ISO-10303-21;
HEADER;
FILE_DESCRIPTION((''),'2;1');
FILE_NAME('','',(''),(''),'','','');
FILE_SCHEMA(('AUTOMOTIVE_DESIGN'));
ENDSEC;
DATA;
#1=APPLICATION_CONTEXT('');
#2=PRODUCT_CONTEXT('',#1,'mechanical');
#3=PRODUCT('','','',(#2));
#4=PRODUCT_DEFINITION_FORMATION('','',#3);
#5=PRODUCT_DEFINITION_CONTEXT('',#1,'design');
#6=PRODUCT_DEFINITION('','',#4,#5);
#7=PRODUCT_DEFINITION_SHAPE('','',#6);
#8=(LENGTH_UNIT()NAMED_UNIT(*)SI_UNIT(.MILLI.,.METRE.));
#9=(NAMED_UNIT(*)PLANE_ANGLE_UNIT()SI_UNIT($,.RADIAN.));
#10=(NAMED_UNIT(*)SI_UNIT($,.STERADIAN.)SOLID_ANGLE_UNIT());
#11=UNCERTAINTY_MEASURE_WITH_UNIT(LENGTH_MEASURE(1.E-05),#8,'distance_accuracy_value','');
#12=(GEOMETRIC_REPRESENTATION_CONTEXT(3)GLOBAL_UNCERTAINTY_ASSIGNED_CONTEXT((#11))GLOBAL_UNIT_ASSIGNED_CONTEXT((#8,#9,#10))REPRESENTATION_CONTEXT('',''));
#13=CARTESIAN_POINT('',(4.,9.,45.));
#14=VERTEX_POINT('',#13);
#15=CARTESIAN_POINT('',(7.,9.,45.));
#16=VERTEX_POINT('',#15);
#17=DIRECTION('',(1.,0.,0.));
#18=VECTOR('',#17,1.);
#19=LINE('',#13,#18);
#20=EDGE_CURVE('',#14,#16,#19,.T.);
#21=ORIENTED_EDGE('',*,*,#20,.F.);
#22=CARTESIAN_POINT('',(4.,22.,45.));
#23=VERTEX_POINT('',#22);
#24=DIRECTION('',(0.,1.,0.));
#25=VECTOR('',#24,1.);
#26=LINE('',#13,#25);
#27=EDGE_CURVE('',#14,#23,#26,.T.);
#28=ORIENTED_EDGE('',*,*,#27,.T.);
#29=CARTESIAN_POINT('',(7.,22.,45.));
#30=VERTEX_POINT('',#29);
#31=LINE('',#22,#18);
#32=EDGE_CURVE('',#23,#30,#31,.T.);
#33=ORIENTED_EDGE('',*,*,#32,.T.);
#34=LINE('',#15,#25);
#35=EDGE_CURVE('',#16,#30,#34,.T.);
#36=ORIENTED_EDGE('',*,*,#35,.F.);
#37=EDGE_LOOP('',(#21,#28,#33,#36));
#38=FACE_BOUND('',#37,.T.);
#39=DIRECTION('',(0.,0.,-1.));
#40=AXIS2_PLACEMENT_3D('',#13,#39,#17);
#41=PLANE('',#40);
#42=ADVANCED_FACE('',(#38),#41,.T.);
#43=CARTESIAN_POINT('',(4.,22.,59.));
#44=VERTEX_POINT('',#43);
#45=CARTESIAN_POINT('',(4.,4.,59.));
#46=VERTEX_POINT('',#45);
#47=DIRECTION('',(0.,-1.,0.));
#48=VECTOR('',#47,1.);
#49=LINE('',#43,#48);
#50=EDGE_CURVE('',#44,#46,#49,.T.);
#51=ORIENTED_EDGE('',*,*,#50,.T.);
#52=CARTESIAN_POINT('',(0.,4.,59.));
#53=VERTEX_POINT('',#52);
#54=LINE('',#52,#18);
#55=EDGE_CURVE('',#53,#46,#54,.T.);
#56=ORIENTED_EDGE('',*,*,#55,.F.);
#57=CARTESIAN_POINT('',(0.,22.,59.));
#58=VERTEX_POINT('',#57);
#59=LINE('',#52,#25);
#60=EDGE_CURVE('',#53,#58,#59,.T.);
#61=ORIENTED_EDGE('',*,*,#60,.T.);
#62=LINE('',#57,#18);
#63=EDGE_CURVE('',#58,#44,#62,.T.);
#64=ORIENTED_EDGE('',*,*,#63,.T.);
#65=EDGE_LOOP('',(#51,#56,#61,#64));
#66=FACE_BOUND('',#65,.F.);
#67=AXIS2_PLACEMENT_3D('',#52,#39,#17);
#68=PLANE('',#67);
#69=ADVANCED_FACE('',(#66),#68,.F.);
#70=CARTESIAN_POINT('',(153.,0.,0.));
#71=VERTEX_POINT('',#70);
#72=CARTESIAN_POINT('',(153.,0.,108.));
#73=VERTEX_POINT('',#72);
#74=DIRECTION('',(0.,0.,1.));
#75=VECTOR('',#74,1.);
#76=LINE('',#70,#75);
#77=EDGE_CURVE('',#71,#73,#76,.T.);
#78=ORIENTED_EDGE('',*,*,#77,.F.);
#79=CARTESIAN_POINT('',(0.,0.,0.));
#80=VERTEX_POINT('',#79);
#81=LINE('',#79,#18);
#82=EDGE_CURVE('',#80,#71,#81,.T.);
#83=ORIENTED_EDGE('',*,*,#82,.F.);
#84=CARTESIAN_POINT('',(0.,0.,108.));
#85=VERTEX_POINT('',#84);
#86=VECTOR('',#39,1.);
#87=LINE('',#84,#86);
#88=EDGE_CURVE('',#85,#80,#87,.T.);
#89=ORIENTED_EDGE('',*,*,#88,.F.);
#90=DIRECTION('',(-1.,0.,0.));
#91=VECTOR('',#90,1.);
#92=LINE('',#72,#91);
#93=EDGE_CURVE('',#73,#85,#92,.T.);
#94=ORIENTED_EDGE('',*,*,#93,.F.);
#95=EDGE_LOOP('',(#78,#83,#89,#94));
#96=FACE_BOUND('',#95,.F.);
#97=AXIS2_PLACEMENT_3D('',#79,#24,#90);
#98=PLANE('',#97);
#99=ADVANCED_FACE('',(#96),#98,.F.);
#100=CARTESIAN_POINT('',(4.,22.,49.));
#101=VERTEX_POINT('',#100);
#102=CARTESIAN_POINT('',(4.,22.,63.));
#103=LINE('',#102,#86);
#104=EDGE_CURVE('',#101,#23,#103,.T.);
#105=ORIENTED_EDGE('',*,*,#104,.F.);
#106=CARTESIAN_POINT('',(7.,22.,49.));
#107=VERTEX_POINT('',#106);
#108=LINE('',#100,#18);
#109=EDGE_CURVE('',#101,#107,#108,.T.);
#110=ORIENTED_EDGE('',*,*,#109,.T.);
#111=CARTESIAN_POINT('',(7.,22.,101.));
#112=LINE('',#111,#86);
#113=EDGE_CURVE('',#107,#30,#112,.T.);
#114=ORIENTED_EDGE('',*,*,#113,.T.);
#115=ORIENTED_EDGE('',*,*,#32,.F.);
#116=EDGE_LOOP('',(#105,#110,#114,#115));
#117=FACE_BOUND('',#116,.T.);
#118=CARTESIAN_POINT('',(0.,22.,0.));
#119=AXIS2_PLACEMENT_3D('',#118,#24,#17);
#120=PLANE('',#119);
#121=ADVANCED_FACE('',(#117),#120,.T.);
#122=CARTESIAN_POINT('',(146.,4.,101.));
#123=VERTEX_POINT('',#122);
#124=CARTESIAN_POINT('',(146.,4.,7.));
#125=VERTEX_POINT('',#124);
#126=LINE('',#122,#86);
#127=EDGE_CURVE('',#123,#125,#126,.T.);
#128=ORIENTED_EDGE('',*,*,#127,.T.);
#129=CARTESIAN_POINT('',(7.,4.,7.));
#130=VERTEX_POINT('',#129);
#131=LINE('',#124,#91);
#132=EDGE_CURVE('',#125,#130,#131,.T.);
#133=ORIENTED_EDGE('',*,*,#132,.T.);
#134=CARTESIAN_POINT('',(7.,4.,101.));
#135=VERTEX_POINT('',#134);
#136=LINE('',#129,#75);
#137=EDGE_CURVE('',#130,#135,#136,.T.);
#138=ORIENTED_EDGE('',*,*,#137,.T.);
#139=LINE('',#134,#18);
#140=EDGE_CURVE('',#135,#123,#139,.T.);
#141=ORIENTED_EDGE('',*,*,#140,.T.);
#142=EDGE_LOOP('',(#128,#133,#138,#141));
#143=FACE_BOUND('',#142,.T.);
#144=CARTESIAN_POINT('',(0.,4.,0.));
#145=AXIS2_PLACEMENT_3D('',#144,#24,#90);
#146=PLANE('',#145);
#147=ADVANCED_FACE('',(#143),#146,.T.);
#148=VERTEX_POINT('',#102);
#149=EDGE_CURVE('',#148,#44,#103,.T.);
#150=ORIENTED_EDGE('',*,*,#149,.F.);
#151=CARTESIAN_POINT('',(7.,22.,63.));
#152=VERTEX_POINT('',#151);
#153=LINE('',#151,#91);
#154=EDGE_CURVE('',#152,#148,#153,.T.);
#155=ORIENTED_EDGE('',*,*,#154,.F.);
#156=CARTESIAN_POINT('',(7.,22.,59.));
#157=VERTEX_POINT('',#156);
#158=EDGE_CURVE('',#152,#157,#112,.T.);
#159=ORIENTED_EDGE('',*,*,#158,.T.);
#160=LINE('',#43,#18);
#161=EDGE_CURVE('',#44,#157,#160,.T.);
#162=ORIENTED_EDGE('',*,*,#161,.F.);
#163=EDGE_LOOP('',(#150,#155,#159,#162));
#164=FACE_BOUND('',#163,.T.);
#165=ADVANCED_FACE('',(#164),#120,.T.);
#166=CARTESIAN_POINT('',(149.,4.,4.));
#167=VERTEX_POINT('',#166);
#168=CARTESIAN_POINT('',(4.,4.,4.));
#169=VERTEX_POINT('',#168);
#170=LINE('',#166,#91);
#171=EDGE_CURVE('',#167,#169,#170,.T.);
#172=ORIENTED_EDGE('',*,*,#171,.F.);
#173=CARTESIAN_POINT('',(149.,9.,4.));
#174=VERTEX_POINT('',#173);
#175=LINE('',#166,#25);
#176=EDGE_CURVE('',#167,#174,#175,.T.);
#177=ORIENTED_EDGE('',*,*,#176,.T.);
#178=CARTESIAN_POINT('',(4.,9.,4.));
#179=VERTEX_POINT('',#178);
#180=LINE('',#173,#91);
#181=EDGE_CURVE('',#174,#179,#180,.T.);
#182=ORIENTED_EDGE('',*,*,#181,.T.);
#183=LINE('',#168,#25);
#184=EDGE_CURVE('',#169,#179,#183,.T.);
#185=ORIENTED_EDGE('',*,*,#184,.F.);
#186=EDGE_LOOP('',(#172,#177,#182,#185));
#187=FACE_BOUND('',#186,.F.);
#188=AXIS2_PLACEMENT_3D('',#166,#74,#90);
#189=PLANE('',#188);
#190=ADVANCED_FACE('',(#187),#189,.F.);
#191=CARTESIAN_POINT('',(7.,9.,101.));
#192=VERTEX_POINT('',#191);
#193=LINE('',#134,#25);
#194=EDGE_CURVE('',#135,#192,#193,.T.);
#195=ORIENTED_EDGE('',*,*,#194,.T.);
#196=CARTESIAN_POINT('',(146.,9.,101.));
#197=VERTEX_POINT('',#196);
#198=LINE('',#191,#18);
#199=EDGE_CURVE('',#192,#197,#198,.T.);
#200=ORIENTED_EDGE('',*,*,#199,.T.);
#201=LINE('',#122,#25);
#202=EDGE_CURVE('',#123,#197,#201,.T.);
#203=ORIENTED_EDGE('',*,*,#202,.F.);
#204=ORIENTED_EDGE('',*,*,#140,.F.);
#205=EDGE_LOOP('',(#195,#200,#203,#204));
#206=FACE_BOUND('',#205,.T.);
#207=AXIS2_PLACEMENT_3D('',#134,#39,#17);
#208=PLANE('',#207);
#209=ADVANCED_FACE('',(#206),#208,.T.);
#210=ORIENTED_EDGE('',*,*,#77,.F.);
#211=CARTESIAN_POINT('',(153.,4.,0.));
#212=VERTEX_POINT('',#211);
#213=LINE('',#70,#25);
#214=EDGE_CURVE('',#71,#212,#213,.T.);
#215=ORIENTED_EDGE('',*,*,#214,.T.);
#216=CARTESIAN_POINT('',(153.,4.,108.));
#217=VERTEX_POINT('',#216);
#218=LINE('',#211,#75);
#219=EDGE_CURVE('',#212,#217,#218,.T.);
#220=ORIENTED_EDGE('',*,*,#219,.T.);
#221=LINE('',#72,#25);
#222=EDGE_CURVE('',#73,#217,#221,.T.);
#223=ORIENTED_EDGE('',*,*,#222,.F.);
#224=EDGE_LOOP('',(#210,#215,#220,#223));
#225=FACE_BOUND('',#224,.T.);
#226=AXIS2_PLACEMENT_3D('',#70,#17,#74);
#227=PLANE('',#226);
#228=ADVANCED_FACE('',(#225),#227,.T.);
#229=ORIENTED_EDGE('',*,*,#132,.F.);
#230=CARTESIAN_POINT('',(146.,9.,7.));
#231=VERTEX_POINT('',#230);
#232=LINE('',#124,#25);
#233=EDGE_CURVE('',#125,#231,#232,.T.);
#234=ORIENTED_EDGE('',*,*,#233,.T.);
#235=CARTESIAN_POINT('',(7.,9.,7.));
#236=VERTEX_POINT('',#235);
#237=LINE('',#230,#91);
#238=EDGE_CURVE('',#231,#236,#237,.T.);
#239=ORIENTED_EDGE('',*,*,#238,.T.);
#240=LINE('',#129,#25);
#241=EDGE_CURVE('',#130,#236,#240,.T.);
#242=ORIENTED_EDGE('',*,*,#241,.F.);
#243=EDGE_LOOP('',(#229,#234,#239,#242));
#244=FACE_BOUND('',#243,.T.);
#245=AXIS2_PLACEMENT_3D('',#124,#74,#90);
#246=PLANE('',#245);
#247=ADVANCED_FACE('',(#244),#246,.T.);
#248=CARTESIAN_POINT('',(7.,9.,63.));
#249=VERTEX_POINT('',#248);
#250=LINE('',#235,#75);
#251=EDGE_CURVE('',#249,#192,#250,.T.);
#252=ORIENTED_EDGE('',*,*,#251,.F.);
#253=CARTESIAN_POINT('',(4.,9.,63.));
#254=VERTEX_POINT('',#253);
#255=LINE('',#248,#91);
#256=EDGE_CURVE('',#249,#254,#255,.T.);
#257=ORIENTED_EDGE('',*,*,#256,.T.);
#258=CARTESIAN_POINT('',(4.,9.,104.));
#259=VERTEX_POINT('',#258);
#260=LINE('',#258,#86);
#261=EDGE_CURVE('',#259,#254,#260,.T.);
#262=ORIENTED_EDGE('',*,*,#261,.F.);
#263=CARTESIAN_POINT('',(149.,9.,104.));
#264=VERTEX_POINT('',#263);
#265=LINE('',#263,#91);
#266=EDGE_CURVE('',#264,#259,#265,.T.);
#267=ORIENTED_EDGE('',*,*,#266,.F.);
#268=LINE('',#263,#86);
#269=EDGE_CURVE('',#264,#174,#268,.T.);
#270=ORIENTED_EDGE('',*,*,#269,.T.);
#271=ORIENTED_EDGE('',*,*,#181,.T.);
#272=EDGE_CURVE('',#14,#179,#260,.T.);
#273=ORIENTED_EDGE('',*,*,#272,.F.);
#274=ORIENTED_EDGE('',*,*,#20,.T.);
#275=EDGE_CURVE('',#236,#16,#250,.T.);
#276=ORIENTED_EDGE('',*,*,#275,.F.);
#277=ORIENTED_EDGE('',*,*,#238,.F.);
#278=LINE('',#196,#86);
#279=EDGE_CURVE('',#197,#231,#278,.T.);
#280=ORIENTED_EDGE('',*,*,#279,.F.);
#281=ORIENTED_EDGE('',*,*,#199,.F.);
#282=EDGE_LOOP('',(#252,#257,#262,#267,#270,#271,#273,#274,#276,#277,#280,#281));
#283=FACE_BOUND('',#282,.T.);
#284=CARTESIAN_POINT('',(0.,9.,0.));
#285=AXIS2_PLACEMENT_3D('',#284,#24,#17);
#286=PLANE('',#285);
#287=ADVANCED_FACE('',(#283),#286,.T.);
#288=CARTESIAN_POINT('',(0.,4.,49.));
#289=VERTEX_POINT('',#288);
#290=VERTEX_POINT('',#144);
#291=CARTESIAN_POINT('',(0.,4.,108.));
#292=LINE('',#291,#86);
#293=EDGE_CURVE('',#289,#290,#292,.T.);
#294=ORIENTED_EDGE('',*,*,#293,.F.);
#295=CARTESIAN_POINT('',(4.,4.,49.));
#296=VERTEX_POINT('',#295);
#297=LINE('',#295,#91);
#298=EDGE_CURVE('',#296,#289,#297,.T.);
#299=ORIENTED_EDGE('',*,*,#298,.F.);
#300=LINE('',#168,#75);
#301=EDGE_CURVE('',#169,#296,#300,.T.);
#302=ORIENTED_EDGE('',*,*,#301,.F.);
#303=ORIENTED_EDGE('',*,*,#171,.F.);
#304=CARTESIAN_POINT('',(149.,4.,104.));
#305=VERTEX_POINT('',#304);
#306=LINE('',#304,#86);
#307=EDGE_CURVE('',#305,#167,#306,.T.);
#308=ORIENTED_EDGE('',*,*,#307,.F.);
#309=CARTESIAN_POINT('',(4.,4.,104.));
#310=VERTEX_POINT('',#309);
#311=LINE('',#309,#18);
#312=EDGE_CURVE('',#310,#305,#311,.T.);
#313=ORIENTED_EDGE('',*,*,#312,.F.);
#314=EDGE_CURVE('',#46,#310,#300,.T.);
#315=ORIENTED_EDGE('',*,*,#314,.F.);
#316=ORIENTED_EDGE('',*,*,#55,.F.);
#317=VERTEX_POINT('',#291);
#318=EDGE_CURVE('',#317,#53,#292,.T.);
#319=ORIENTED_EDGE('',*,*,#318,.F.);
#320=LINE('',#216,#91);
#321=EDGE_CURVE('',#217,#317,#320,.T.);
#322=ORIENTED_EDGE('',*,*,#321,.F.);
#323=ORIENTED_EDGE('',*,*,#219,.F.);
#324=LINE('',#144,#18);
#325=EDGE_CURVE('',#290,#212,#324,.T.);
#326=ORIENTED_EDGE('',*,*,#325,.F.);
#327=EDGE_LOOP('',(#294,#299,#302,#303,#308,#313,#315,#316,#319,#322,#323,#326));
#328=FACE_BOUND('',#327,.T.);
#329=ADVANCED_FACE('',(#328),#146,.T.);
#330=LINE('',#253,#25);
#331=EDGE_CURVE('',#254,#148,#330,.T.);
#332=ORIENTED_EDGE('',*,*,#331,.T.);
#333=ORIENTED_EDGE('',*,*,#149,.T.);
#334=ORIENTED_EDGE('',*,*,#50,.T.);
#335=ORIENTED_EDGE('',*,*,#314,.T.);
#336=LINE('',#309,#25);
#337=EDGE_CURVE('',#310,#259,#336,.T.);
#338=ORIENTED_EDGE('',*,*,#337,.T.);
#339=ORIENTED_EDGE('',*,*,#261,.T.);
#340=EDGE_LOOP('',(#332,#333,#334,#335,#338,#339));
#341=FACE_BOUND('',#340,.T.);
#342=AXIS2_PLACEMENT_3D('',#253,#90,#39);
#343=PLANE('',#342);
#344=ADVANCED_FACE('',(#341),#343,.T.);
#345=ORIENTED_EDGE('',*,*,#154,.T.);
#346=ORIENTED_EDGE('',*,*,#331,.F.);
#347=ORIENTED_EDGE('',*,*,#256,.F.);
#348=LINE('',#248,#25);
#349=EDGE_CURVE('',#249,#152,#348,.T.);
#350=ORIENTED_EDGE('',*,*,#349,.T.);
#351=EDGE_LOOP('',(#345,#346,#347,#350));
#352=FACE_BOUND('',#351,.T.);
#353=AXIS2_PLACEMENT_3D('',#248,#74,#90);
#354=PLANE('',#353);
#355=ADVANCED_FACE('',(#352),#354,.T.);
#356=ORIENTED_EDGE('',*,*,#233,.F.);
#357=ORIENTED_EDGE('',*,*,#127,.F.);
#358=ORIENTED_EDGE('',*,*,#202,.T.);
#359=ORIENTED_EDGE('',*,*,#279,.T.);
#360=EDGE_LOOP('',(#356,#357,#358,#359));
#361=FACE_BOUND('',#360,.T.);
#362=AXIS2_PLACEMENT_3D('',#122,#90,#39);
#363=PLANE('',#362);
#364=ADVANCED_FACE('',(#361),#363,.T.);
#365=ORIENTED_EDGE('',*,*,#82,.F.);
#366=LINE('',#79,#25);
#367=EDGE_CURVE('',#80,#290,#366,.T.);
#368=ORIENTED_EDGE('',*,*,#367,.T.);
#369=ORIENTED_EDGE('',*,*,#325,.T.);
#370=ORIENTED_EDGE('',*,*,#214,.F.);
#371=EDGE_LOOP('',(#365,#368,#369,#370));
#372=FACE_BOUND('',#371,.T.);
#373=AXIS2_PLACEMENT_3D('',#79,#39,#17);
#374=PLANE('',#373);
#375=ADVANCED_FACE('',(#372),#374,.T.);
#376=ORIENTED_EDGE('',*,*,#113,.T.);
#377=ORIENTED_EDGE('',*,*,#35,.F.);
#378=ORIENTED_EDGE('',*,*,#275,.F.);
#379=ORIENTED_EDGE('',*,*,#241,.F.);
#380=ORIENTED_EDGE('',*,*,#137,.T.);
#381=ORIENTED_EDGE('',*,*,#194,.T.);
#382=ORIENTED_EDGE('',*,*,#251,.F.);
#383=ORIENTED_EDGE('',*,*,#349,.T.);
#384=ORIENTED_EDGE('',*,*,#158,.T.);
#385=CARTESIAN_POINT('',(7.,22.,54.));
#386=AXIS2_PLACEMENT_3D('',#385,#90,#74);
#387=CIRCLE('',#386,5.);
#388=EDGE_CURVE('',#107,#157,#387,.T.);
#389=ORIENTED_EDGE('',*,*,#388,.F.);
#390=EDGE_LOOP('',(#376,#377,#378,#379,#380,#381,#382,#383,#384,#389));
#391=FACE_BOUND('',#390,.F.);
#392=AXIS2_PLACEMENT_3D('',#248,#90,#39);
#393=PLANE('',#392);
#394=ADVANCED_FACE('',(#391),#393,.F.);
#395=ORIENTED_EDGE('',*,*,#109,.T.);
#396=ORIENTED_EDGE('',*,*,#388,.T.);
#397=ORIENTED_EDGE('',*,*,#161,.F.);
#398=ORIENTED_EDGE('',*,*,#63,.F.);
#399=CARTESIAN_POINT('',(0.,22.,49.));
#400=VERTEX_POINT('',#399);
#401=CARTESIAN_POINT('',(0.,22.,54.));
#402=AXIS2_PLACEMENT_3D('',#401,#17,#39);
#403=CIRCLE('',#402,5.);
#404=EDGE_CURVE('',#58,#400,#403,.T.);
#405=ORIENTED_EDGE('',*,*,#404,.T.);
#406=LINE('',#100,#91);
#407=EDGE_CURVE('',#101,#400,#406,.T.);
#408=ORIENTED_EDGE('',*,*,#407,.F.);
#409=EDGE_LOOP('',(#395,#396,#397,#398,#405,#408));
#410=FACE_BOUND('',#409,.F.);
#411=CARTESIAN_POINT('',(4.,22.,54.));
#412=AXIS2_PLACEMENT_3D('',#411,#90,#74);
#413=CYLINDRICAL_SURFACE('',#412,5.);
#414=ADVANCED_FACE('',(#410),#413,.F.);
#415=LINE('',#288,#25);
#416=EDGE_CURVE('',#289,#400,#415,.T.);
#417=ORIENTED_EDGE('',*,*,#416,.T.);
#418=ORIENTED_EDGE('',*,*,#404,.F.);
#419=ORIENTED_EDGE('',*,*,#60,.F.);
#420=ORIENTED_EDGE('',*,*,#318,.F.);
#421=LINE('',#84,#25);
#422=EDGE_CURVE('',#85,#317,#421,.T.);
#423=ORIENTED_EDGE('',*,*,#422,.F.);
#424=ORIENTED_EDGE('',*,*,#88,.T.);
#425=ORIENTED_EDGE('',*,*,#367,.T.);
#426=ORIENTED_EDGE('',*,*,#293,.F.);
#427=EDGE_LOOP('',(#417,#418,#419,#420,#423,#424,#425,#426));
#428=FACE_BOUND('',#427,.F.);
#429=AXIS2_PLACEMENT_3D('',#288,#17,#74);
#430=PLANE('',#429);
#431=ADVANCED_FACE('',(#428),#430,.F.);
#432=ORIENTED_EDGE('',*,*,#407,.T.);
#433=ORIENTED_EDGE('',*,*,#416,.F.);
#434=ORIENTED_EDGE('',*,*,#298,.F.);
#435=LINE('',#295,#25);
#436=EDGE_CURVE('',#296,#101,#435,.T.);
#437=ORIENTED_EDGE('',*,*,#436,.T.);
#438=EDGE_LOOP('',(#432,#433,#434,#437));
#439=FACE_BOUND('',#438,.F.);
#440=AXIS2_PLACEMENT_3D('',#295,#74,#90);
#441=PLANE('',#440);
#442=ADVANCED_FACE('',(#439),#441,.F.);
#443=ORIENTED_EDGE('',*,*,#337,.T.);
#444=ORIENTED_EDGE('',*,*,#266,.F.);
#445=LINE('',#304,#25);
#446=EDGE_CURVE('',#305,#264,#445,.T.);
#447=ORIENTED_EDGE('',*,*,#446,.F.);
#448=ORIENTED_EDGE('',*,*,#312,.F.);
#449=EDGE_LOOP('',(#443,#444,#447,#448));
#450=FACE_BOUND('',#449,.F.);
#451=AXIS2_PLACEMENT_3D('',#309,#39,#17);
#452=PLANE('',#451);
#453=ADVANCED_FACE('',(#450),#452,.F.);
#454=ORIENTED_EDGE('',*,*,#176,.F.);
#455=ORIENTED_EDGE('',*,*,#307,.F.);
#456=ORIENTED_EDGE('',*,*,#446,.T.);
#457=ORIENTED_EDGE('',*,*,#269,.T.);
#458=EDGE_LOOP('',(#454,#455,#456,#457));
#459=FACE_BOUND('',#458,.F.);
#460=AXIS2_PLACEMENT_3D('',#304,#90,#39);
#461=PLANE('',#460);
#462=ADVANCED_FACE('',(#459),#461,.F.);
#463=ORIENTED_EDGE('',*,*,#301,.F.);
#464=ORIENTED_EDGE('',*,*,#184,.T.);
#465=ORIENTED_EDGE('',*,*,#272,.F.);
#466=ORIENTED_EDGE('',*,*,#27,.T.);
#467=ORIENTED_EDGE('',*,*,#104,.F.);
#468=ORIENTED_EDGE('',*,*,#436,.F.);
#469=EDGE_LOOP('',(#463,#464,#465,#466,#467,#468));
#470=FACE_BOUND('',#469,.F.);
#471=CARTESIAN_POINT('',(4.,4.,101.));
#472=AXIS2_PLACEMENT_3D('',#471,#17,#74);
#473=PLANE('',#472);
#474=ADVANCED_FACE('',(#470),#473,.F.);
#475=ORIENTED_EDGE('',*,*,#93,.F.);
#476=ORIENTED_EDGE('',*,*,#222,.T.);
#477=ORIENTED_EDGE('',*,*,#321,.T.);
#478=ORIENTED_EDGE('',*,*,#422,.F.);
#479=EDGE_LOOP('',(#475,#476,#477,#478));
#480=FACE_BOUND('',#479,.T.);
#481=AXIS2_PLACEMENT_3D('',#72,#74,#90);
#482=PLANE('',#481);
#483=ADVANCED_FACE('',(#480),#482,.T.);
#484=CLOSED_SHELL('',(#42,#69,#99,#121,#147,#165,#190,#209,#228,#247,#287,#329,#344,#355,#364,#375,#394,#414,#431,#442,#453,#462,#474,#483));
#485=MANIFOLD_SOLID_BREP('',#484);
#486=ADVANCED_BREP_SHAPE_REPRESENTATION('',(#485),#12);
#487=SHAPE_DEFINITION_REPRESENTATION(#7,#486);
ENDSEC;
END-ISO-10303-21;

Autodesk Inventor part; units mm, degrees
ref_plane "YZ Plane" through (0, 0, 0) normal (1, 0, 0) x (0, 1, 0)
ref_plane "XZ Plane" through (0, 0, 0) normal (0, 1, 0) x (-1, 0, 0)
ref_plane "XY Plane" through (0, 0, 0) normal (0, 0, 1) x (1, 0, 0)
sketch "Sketch1" plane through (0, 0, 0) normal (0, 1, 0) x (-1, 0, 0)
  line L0 (0, 0) -> (-153, 0)
  line L1 (-153, 0) -> (-153, 108)
  line L2 (-153, 108) -> (0, 108)
  line L3 (0, 108) -> (0, 0)
  dimension "d0" = 153
  dimension "d1" = 108
extrude "Extrusion1" add sketch "Sketch1" along normal blind 4
sketch "Sketch2" plane through (0, 4, 0) normal (0, 1, 0) x (1, 0, 0)
  line L0 (0, -108) -> (153, -108) projected
  line L1 (0, -108) -> (4, -108)
  line L2 (4, -108) -> (4, -104)
  line L3 (4, -104) -> (0, -104)
  line L4 (0, -104) -> (0, -108)
  line L5 (4, -104) -> (149, -104)
  line L6 (149, -104) -> (149, -4)
  line L7 (149, -4) -> (4, -4)
  line L8 (4, -4) -> (4, -104)
  line L9 (153, -108) -> (153, 0) projected
  line L10 (0, -108) -> (153, -108)
  line L11 (153, -108) -> (153, 0)
  line L12 (153, 0) -> (0, 0)
  line L13 (0, 0) -> (0, -108)
  line L14 (4, -104) -> (7, -104)
  line L15 (7, -104) -> (7, -101)
  line L16 (7, -101) -> (4, -101)
  line L17 (4, -101) -> (4, -104)
  line L18 (7, -101) -> (146, -101)
  line L19 (146, -101) -> (146, -7)
  line L20 (146, -7) -> (7, -7)
  line L21 (7, -7) -> (7, -101)
  dimension "d4" = 4
  dimension "d5" = 4
  dimension "d6" = 145
  dimension "d7" = 100
  dimension "d8" = 3
  dimension "d9" = 3
  dimension "d10" = 139
  dimension "d11" = 94
extrude "Extrusion2" add sketch "Sketch2" along normal blind 5 contours L8 L16 L15 L5 | L15 L16 L8 L7 L6 L5
sketch "Sketch3" plane through (0, 4, 0) normal (0, 1, 0) x (1, 0, 0)
  line L0 (0, 0) -> (0, -108) projected
  line L1 (0, -59) -> (4, -59)
  line L2 (4, -59) -> (4, -49)
  line L3 (4, -49) -> (0, -49)
  line L4 (0, -49) -> (0, -59)
  dimension "d14" = 4
  dimension "d15" = 10
extrude "Extrusion3" add sketch "Sketch3" along normal blind 18
sketch "Sketch4" plane through (4, 9, 49) normal (1, 0, 0) x (0, 0, -1)
  line L0 (0, 13) -> (-10, 13) projected
  circle A0 centre (-5, 13) radius 5
  point P0 (49, -9)
extrude "Extrusion4" cut sketch "Sketch4" against normal blind 18 contours A0 L0 picked at (-6.2475, 11.0971)
sketch "Sketch5" plane through (0, 9, 0) normal (0, 1, 0) x (1, 0, 0)
  line L0 (7, -101) -> (7, -7) projected
  line L1 (4, -45) -> (7, -45)
  line L2 (7, -45) -> (7, -63)
  line L3 (7, -63) -> (4, -63)
  line L4 (4, -63) -> (4, -45)
  point P0 (0, 0)
  dimension "d20" = 18
extrude "Extrusion5" add sketch "Sketch5" along normal blind 13
sketch "Sketch6" plane through (4, 22, 54) normal (-1, 0, 0) x (0, 0, 1)
  line L0 (-5, 0) -> (5, 0) projected
  circle A0 centre (0, 0) radius 5
  point P0 (-54, -22)
extrude "Extrusion6" cut sketch "Sketch6" against normal blind 13 contours L0 A0 picked at (0.9468, -1.3716)
properties part number "Golf Cart Mainboard Lid_3DPrint"
